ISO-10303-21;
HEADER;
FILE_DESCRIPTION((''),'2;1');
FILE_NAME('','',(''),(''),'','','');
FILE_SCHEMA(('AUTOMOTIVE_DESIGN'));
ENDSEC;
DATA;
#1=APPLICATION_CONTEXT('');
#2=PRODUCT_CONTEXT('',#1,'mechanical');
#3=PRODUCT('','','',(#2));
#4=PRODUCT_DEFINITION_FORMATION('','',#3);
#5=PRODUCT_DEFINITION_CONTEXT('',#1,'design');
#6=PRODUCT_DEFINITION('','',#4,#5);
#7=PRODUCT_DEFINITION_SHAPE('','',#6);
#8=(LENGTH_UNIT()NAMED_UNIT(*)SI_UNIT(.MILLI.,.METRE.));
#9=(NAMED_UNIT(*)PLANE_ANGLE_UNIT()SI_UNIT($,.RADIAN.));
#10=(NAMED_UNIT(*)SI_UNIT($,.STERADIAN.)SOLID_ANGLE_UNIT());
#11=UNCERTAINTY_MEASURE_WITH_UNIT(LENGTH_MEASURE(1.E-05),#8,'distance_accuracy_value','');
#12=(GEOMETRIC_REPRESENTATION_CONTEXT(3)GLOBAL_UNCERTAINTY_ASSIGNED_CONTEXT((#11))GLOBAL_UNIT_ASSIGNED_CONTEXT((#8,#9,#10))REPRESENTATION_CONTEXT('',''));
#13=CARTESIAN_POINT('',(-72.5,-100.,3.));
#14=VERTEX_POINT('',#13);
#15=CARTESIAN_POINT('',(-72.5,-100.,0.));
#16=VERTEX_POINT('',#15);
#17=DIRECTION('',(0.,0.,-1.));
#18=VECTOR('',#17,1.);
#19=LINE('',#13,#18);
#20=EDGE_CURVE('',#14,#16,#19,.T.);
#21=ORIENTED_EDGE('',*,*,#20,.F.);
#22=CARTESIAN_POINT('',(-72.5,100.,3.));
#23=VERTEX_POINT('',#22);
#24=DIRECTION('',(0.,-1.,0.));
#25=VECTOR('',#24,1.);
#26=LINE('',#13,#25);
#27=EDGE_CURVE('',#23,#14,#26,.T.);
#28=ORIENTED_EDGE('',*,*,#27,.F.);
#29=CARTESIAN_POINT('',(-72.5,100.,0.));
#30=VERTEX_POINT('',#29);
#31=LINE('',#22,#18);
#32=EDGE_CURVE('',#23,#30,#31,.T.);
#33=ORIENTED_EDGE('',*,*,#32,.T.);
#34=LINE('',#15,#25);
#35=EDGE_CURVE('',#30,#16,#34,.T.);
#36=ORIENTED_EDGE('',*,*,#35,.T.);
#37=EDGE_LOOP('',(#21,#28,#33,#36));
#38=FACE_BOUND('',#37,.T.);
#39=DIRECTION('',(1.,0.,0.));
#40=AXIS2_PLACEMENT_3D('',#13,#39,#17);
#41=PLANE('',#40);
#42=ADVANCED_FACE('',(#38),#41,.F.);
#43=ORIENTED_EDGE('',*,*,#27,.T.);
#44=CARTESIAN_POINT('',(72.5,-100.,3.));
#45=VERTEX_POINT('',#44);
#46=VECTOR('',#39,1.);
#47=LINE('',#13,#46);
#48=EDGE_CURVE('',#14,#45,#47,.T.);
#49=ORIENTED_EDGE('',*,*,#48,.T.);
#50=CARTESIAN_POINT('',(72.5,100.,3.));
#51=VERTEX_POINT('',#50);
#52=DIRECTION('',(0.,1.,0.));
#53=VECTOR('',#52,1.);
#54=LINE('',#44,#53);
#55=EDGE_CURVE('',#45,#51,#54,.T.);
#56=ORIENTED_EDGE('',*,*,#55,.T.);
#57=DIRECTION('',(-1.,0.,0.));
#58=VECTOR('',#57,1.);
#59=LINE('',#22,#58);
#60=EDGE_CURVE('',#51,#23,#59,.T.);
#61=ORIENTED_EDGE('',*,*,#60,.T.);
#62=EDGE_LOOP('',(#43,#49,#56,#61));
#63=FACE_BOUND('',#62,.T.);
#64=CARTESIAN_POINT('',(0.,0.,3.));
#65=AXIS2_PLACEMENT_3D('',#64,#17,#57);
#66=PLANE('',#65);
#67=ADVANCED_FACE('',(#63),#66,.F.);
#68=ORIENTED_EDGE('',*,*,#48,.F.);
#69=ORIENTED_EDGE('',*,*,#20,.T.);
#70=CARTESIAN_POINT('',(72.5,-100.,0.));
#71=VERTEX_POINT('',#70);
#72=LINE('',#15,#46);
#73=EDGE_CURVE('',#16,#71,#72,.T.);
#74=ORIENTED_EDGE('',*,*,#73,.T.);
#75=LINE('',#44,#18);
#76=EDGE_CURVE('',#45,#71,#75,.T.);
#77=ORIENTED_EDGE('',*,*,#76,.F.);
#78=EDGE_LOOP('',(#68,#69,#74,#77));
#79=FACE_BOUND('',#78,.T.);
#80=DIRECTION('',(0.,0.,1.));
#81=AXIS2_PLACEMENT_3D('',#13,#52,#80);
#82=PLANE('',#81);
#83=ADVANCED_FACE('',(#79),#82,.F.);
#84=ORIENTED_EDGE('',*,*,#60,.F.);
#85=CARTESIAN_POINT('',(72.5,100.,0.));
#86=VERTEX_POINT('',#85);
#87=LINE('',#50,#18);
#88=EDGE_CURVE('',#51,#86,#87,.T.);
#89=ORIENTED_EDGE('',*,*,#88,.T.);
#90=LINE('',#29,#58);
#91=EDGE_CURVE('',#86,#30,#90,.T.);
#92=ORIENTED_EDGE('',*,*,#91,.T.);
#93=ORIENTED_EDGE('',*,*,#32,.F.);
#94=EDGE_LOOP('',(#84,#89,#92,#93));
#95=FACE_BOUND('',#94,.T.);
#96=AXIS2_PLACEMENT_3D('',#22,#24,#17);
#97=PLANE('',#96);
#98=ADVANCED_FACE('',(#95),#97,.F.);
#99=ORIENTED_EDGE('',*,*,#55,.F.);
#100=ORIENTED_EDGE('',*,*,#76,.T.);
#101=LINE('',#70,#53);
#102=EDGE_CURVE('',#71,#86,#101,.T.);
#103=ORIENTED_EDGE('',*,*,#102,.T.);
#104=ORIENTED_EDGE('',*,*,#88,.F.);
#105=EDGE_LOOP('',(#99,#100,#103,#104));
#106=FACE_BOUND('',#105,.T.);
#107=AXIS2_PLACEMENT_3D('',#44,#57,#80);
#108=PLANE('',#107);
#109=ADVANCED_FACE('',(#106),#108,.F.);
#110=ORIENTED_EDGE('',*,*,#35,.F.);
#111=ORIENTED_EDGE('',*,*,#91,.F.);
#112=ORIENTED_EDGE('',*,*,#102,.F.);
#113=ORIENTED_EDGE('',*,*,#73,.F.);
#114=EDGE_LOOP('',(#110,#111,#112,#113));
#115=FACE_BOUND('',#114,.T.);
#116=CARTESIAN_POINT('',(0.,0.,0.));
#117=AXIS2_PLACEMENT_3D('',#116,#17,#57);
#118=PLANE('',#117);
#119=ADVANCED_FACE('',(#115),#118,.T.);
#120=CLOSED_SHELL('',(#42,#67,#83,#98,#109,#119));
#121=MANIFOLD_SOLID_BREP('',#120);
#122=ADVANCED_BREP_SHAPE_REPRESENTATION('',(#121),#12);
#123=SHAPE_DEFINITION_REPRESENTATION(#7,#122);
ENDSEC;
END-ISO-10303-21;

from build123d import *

# Parameters (mm, degrees)
ESBO_O1_W                = 145
ESBO_O1_H                = 200
RESSALTO_EXTRUS_O1_DEPTH = 3


with BuildPart() as part:
    # Esboço1 → Ressalto-extrusão1 (new body)
    with BuildSketch(Plane.XY):
        Rectangle(ESBO_O1_W, ESBO_O1_H)
    extrude(amount=RESSALTO_EXTRUS_O1_DEPTH)


solid = part.part
